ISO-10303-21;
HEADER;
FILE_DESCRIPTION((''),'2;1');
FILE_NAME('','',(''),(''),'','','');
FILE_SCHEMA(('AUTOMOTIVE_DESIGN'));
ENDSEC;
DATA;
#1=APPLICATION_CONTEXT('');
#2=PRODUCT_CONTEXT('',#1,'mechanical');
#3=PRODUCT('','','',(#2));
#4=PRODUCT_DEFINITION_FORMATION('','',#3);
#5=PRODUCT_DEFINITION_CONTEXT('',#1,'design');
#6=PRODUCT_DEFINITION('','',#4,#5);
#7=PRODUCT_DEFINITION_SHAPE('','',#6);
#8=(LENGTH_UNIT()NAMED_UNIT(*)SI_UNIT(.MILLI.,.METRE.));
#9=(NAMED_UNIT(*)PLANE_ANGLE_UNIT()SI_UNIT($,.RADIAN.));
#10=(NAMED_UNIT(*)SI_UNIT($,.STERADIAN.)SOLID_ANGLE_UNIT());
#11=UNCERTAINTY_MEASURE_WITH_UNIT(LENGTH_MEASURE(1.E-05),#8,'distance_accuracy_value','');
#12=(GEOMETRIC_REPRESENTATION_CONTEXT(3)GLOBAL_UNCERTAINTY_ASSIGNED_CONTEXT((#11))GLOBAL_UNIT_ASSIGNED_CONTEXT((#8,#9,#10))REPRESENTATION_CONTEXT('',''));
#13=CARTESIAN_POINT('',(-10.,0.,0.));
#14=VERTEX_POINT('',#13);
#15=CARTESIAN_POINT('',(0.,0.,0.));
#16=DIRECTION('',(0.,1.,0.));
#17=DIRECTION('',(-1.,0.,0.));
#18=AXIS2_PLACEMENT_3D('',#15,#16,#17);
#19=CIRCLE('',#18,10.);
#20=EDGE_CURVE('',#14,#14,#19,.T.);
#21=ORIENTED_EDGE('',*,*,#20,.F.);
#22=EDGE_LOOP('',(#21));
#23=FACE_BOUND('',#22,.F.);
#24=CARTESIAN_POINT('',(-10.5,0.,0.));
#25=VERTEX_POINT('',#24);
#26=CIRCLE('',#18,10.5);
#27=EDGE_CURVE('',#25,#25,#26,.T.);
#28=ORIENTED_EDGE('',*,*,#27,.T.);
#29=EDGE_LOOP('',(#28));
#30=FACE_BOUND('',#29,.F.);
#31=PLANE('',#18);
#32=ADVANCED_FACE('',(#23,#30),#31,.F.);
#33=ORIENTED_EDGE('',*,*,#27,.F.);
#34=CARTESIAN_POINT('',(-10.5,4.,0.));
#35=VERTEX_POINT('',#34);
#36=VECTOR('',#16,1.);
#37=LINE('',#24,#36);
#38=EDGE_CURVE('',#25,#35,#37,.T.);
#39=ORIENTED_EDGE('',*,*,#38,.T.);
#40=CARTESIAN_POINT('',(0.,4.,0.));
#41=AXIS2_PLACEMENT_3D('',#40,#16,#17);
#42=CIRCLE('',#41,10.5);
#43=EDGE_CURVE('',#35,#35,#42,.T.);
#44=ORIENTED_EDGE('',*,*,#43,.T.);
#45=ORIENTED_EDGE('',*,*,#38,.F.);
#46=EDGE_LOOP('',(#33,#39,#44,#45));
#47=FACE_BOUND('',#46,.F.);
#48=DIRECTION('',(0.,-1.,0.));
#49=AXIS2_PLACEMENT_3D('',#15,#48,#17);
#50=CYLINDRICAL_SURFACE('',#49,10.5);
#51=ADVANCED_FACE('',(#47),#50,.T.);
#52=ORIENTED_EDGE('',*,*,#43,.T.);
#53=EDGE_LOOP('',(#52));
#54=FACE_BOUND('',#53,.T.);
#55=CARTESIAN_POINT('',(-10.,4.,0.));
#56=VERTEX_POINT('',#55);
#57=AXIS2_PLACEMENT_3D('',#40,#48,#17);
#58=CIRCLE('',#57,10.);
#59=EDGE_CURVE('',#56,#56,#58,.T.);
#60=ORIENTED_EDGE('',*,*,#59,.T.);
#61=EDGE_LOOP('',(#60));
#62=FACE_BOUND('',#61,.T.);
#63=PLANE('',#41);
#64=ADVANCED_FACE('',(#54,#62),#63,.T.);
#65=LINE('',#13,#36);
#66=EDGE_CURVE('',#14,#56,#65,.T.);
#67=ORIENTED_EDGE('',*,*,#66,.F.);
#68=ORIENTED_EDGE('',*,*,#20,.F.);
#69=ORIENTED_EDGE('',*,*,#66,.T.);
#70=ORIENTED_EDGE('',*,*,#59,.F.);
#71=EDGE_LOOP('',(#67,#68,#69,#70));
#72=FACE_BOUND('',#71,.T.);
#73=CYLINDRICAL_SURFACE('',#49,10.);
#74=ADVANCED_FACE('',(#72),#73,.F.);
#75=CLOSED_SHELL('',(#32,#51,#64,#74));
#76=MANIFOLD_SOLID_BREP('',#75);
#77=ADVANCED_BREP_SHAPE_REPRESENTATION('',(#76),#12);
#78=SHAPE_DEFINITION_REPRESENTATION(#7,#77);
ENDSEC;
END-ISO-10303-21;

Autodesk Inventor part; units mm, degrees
ref_plane "YZ Plane" through (0, 0, 0) normal (1, 0, 0) x (0, 1, 0)
ref_plane "XZ Plane" through (0, 0, 0) normal (0, 1, 0) x (-1, 0, 0)
ref_plane "XY Plane" through (0, 0, 0) normal (0, 0, 1) x (1, 0, 0)
sketch "Esquisse1" plane through (0, 0, 0) normal (0, 1, 0) x (-1, 0, 0)
  circle A0 centre (0, 0) radius 10.5
  dimension "d0" = 21
extrude "Extrusion1" add sketch "Esquisse1" along normal blind 4
sketch "Esquisse3" plane through (0, 0, 0) normal (0, 1, 0) x (-1, 0, 0)
  circle A0 centre (0, 0) radius 10
  dimension "d4" = 20
extrude "Extrusion2" cut sketch "Esquisse3" along normal blind 10
properties part number "Anneau sup"
